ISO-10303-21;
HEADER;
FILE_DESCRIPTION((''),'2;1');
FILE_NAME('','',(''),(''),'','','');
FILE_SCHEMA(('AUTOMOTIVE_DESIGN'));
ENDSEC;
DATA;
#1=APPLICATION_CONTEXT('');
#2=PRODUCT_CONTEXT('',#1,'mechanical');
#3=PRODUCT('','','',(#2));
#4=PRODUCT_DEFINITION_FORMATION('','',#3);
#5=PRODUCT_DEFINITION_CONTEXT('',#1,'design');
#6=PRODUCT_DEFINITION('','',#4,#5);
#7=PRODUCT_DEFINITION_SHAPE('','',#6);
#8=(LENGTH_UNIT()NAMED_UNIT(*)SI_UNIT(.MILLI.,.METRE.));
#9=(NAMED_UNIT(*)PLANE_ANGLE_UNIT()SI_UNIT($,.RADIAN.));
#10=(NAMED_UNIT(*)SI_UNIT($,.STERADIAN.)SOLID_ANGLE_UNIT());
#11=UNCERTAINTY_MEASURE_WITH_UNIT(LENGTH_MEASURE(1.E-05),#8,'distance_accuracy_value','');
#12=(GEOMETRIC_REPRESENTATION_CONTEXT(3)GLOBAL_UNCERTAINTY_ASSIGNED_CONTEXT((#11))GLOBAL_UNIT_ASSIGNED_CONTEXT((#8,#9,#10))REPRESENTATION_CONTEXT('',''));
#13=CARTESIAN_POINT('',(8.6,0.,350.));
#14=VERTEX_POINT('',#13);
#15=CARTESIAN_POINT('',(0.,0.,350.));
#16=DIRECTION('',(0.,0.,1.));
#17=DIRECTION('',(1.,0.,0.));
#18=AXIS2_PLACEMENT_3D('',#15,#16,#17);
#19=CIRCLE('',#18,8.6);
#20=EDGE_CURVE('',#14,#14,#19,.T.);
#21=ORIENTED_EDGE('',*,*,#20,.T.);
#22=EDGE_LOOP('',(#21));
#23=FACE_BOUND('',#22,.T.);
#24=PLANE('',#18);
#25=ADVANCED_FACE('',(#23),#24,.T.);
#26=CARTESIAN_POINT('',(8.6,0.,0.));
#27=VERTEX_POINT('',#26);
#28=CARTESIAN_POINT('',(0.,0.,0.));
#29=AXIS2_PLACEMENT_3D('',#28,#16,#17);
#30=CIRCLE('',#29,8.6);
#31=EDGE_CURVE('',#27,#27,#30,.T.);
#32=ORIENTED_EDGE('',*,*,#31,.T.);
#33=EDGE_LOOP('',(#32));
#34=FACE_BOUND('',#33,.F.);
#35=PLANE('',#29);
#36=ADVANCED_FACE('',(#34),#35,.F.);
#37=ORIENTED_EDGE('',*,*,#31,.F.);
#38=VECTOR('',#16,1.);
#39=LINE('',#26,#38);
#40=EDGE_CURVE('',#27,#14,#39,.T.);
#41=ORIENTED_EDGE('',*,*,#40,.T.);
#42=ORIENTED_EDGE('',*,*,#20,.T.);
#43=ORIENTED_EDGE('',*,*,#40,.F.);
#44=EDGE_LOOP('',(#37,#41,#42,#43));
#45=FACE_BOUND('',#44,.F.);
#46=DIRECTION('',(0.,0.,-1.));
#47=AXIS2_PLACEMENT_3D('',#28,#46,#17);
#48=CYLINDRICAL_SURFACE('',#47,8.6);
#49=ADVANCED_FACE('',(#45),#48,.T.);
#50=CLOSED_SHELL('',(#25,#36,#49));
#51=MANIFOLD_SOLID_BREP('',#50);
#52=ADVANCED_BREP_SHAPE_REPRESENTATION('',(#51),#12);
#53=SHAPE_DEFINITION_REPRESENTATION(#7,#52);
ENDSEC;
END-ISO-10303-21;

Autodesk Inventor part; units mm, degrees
ref_plane "YZ Plane" through (0, 0, 0) normal (1, 0, 0) x (0, 1, 0)
ref_plane "XZ Plane" through (0, 0, 0) normal (0, 1, 0) x (-1, 0, 0)
ref_plane "XY Plane" through (0, 0, 0) normal (0, 0, 1) x (1, 0, 0)
sketch "Sketch1" plane through (0, 0, 0) normal (0, 0, 1) x (1, 0, 0)
  circle A0 centre (0, 0) radius 8.6
  dimension "d0" = 17.2
extrude "Extrusion1" add sketch "Sketch1" along normal blind 350
thread "Thread1" size "M18x2.5" class "6g" standard "ANSI Metric M Profile" full length
sketch "Sketch2" plane through (0, 0, 350) normal (0, 0, 1) x (1, 0, 0)
  point P0 (0, 0)
properties part number "drive_shaft_novalues"
